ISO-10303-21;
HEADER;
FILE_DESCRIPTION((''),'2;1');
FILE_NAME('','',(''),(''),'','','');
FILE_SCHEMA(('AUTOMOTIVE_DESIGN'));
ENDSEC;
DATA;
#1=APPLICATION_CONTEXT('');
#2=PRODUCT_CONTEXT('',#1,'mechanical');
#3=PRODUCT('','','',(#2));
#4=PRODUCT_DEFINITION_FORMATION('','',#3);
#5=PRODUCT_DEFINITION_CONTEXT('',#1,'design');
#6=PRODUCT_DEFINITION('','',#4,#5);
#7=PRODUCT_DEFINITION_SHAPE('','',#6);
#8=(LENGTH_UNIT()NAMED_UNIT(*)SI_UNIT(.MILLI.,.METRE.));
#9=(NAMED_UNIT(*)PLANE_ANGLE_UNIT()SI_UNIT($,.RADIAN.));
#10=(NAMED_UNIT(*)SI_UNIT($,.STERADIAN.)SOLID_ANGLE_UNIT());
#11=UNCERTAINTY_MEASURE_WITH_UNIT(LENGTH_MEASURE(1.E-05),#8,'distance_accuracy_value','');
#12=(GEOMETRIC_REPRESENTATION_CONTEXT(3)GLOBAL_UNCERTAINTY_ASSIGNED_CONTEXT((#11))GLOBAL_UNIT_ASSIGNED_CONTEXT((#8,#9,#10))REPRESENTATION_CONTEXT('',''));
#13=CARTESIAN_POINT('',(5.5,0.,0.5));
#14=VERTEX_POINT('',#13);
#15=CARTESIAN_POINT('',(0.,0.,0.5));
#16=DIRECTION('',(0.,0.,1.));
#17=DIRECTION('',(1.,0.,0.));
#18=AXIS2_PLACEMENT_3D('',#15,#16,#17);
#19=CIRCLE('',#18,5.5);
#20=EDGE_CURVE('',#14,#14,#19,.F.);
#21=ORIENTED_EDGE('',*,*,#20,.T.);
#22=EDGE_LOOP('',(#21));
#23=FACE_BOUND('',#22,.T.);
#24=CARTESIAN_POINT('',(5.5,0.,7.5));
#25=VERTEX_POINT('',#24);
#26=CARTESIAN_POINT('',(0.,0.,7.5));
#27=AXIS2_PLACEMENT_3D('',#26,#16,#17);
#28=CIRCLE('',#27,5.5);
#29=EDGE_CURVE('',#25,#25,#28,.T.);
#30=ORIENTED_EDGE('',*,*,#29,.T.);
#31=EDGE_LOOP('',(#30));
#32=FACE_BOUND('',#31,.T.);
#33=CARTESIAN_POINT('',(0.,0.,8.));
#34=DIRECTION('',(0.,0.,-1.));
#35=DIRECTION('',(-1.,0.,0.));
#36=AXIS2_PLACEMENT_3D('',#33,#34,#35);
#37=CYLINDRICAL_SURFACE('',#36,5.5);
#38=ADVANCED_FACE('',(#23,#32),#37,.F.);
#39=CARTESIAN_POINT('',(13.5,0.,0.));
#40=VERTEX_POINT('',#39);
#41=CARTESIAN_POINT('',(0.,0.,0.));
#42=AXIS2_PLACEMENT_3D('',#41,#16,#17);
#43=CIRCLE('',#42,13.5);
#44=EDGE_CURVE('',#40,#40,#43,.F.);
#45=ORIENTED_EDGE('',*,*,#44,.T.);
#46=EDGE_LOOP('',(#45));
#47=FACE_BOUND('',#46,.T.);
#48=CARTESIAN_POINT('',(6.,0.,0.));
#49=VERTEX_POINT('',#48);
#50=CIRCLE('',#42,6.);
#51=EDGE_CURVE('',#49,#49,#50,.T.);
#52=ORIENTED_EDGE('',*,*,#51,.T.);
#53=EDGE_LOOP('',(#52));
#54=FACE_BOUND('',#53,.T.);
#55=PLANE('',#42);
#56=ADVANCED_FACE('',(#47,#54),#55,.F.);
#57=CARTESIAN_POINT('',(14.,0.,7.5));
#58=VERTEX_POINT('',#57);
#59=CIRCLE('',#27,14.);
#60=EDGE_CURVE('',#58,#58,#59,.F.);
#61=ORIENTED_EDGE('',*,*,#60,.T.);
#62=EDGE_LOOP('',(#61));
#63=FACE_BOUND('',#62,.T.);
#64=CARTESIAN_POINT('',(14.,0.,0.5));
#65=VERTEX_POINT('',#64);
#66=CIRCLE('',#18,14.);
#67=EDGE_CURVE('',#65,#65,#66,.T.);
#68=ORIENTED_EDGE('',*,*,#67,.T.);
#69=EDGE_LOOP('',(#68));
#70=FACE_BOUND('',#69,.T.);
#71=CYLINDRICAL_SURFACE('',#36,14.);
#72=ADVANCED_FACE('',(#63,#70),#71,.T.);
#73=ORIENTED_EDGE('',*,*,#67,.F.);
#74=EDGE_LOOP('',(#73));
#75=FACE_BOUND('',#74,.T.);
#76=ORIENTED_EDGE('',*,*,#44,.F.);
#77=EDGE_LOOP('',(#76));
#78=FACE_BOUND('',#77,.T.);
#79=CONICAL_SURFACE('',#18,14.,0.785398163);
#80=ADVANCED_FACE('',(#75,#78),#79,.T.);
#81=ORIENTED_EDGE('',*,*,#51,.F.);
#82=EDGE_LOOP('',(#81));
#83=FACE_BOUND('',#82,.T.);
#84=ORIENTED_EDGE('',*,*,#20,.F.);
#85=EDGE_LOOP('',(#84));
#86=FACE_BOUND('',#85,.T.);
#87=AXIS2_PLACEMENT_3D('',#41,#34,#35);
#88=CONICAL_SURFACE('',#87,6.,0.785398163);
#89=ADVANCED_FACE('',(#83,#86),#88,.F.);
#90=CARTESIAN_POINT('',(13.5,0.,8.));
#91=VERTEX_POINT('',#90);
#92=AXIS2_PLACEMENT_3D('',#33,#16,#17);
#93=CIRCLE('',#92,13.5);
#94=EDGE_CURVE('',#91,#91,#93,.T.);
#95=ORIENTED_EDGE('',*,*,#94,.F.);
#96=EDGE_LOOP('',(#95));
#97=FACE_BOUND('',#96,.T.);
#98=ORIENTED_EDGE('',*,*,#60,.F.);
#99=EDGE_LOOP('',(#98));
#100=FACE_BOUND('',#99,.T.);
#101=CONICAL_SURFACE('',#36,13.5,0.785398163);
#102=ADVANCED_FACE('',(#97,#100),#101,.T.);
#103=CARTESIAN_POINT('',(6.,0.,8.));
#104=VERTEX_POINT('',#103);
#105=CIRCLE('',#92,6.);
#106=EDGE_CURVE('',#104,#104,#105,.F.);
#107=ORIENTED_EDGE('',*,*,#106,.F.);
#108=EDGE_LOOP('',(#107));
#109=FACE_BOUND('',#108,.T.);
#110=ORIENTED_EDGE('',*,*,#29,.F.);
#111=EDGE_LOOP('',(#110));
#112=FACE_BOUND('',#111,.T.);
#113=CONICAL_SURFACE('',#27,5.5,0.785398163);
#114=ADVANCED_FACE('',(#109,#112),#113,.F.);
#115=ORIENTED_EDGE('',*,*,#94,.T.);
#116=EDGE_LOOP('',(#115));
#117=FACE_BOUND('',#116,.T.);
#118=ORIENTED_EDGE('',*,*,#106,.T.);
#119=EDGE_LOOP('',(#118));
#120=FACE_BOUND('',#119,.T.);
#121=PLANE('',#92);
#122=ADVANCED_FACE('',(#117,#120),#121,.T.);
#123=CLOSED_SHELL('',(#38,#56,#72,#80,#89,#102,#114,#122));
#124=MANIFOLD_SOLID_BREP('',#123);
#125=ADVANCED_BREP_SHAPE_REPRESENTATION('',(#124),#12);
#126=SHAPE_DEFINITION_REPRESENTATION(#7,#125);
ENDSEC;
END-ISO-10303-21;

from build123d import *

# Parameters (mm, degrees)
SKETCH1_R           = 14
SKETCH1_R_2         = 5.5
BOSS_EXTRUDE1_DEPTH = 8
CHAMFER1_SIZE       = 0.5


with BuildPart() as part:
    # Sketch1 → Boss-Extrude1 (new body)
    with BuildSketch(Plane.XY):
        Circle(SKETCH1_R)
        Circle(SKETCH1_R_2, mode=Mode.SUBTRACT)
    extrude(amount=BOSS_EXTRUDE1_DEPTH)

    # Chamfer1
    chamfer1_edges = [part.edges().sort_by_distance(p)[0] for p in [
        (-14, 0, 0),
        (-14, 0, 8),
        (-5.5, 0, 0),
        (-5.5, 0, 8),
    ]]
    chamfer(chamfer1_edges, length=CHAMFER1_SIZE)


solid = part.part
